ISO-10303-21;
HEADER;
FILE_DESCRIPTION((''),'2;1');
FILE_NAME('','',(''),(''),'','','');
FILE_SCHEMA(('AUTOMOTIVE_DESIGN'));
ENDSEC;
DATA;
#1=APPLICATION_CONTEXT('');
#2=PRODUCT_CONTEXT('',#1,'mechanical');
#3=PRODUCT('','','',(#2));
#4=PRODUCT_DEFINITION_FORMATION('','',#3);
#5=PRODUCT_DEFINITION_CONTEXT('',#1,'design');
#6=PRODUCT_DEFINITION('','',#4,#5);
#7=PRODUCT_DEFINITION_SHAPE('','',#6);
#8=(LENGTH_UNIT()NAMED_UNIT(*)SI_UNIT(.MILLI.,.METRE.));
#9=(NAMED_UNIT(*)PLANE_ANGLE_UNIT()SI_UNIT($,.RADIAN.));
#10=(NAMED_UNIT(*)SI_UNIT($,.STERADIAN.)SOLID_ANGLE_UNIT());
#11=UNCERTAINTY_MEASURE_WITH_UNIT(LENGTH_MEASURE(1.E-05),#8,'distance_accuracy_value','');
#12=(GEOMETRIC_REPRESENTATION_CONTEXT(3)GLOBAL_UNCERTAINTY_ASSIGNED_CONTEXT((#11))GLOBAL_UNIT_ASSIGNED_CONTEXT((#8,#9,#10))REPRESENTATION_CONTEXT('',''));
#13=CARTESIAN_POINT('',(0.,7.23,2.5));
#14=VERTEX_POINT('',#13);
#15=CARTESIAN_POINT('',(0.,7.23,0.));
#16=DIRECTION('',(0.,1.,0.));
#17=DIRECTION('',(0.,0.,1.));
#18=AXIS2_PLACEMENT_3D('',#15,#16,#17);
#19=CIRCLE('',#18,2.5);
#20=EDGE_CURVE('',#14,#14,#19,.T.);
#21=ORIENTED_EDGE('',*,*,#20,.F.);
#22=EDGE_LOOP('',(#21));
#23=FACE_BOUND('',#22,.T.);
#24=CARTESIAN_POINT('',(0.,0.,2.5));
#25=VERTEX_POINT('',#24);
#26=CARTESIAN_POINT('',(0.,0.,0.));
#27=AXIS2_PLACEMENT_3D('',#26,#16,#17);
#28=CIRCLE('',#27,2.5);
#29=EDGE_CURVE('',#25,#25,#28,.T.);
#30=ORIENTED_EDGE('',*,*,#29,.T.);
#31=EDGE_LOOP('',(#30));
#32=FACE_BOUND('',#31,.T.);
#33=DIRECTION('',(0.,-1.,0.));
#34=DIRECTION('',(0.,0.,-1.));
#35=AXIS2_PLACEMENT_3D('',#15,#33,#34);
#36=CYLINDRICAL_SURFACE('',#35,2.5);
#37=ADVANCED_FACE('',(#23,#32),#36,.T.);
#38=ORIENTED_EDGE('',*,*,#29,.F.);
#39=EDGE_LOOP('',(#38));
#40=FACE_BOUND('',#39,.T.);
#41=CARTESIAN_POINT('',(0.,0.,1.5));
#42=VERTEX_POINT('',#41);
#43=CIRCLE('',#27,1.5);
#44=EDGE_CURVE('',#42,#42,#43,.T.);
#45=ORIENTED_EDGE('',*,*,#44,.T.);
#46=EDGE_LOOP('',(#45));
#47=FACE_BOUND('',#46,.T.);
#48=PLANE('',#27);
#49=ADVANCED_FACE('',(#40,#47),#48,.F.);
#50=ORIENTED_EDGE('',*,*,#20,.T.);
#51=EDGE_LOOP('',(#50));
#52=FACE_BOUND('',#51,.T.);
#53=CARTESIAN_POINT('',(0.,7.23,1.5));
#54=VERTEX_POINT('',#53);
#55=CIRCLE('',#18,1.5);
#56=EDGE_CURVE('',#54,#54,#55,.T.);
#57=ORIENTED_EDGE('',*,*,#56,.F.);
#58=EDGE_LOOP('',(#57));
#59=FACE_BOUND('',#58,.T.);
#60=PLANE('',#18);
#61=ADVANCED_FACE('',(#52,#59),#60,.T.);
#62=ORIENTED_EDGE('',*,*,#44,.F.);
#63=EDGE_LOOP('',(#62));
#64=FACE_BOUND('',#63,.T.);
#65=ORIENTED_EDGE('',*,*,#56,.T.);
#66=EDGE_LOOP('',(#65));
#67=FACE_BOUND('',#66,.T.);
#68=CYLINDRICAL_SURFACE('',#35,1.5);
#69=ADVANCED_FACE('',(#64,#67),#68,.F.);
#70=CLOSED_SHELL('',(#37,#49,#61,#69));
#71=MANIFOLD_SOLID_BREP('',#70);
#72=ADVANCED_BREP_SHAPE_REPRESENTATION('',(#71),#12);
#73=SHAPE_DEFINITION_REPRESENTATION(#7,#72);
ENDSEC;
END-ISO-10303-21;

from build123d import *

# Parameters (mm, degrees)
SKETCH_1_R      = 2.5
SKETCH_1_R_2    = 1.5
EXTRUDE_1_DEPTH = 7.23


with BuildPart() as part:
    # 草图1 → 凸台-拉伸1 (new body)
    with BuildSketch(Plane(origin=(0, 0, 0), x_dir=(1, 0, 0), z_dir=(0, 1, 0))):
        Circle(SKETCH_1_R)
        Circle(SKETCH_1_R_2, mode=Mode.SUBTRACT)
    extrude(amount=EXTRUDE_1_DEPTH)


solid = part.part
